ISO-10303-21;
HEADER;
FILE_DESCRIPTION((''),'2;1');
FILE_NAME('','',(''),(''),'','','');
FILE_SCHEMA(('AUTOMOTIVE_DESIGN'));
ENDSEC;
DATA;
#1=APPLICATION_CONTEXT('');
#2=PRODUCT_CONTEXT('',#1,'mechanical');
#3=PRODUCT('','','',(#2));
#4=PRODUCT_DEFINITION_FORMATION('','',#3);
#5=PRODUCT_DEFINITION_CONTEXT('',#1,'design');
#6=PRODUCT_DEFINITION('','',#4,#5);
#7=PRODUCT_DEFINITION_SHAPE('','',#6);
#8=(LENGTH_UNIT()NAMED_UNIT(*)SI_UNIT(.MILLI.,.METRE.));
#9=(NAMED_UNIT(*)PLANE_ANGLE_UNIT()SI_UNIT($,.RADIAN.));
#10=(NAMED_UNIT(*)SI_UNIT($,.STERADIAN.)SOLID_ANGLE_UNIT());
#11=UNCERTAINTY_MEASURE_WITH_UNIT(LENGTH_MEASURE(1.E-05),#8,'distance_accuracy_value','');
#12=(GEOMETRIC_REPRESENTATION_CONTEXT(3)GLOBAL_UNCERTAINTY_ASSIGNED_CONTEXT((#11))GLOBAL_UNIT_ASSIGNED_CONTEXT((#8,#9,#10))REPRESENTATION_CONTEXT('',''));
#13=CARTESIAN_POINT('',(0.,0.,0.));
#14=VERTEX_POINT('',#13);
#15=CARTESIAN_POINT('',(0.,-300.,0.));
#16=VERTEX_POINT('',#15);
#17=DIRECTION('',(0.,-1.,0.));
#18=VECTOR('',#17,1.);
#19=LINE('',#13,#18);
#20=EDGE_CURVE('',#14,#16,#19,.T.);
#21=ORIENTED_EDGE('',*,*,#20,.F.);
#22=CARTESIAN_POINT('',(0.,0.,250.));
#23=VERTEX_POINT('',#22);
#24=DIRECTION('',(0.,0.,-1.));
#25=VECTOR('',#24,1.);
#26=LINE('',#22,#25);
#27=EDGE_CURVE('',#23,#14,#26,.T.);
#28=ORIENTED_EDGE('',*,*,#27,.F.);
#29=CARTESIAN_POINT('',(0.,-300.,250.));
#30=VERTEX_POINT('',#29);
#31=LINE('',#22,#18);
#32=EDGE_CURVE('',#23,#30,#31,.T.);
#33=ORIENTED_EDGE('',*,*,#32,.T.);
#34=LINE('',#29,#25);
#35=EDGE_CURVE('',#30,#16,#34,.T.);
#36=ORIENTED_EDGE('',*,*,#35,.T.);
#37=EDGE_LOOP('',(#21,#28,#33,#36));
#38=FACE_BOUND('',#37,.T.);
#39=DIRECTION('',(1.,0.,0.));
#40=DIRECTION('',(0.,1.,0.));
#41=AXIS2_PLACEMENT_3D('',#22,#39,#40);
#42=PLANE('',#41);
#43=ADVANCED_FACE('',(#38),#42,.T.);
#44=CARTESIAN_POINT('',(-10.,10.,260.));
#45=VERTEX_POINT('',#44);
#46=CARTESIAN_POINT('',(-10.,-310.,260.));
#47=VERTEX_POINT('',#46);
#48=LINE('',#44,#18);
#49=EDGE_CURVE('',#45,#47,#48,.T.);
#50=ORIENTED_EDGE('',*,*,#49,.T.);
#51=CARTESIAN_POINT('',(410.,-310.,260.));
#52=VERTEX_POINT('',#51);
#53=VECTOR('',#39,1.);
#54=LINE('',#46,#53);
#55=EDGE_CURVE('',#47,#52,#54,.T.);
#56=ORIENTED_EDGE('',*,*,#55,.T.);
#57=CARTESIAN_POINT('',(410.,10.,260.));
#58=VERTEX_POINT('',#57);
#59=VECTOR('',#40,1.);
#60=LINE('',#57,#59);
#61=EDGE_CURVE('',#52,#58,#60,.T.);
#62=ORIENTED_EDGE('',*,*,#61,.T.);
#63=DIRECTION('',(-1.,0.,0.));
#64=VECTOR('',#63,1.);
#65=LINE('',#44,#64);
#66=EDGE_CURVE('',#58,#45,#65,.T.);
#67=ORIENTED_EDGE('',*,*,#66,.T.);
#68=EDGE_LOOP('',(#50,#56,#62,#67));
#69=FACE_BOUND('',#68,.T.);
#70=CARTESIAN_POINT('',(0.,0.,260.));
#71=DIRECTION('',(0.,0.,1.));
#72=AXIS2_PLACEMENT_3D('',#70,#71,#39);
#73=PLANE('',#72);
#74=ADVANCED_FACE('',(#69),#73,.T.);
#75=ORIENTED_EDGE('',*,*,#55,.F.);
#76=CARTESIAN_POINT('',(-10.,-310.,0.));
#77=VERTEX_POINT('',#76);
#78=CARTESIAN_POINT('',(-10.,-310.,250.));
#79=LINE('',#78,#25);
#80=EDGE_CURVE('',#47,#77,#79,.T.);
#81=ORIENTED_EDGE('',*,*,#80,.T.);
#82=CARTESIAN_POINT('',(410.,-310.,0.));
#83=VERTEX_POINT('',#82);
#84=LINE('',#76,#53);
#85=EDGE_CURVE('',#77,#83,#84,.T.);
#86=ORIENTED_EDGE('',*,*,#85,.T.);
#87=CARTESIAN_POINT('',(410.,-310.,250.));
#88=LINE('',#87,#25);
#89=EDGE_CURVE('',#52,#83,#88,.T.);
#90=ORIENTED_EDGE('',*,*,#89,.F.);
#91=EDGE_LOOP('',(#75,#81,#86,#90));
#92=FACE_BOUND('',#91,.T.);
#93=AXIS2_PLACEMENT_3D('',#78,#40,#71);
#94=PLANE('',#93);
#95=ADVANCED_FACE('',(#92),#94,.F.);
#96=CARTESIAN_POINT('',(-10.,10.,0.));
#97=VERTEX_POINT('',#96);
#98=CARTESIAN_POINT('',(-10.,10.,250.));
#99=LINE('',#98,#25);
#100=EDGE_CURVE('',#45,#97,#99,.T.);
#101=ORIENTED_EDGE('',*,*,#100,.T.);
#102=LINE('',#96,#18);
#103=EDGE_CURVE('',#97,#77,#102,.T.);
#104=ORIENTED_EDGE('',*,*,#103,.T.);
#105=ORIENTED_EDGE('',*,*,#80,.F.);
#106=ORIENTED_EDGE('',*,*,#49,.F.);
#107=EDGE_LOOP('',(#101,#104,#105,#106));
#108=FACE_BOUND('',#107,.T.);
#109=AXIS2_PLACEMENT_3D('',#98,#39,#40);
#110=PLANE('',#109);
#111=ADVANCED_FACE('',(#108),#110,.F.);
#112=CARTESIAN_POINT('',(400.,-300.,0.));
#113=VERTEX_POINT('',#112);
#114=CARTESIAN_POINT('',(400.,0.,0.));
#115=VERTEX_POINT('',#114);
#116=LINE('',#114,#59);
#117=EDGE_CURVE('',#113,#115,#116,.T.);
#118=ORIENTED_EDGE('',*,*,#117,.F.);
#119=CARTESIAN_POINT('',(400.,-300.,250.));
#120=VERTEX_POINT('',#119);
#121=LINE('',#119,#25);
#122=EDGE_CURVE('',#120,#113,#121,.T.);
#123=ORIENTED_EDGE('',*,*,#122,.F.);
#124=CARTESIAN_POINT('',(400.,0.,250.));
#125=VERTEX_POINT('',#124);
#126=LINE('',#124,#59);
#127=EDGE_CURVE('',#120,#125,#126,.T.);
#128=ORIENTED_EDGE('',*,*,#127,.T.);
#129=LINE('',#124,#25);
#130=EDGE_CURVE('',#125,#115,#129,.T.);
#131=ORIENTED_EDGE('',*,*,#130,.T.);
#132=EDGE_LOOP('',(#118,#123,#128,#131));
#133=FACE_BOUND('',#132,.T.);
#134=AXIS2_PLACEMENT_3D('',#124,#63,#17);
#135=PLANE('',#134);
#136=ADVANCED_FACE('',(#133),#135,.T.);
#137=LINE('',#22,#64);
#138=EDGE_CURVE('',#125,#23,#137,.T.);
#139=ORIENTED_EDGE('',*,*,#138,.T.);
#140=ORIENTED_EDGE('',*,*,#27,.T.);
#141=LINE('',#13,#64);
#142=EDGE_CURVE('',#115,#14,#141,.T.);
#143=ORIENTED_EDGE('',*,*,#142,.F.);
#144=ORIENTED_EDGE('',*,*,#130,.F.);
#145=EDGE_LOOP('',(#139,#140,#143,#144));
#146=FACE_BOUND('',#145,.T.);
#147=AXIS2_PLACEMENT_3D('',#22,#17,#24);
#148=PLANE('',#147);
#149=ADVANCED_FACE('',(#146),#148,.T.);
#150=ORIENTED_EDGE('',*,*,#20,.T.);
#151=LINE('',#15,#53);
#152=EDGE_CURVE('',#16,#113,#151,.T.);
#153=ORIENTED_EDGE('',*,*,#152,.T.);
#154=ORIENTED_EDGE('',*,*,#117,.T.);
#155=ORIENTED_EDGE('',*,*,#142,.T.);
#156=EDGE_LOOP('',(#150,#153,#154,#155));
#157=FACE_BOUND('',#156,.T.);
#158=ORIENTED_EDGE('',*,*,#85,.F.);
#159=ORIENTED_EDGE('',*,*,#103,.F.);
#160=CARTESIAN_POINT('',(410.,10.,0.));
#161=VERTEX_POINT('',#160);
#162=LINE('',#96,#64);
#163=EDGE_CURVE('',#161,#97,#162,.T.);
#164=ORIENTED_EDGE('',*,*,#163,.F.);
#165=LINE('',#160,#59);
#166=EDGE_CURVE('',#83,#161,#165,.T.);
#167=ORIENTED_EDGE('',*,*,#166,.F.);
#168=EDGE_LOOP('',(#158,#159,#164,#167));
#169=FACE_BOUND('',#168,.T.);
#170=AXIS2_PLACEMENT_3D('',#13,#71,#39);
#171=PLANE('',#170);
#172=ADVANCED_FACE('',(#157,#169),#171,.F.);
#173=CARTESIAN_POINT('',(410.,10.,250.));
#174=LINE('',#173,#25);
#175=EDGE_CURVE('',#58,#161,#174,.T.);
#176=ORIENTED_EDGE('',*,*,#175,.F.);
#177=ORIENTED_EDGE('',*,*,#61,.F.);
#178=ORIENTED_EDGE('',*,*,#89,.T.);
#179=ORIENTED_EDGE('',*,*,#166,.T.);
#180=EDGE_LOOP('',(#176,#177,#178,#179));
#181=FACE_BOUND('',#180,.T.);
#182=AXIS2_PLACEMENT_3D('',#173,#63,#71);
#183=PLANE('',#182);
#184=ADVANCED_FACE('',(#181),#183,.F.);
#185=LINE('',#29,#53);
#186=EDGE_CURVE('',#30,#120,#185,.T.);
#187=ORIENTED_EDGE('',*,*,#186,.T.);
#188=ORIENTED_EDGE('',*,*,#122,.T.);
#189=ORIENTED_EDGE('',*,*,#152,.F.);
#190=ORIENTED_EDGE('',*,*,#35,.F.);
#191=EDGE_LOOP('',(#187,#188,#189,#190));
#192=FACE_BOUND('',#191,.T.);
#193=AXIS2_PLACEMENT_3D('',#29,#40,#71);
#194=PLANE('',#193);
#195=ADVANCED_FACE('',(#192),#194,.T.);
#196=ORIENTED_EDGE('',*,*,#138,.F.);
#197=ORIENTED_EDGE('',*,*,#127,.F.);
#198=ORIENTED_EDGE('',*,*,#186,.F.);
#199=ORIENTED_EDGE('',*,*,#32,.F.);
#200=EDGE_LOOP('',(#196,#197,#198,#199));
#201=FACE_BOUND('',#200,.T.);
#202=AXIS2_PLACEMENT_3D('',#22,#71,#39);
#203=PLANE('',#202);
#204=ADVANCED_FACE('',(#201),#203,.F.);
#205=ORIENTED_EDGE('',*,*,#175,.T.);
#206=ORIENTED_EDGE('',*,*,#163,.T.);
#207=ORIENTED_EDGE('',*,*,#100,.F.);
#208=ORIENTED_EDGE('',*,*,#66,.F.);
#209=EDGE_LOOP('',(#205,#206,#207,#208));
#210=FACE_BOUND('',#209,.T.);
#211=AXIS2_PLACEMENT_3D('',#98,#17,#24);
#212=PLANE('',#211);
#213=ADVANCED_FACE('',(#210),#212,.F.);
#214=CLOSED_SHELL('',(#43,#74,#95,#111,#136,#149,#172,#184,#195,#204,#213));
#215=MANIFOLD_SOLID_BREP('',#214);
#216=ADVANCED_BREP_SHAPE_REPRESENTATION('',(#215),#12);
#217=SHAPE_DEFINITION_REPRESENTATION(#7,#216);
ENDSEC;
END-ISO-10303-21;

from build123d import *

# Parameters (mm, degrees)
SKETCH1_W           = 420
SKETCH1_H           = 320
SKETCH1_W_2         = 400
SKETCH1_H_2         = 300
BOSS_EXTRUDE1_DEPTH = 250
SKETCH2_W           = 420
SKETCH2_H           = 320
BOSS_EXTRUDE2_DEPTH = 10


with BuildPart() as part:
    # Sketch1 → Boss-Extrude1 (new body)
    with BuildSketch(Plane.XY):
        with Locations((200, -150)):
            Rectangle(SKETCH1_W, SKETCH1_H)
        with Locations((200, -150)):
            Rectangle(SKETCH1_W_2, SKETCH1_H_2, mode=Mode.SUBTRACT)
    extrude(amount=BOSS_EXTRUDE1_DEPTH)

    # Sketch2 → Boss-Extrude2 (add)
    with BuildSketch(Plane.XY.offset(250)):
        with Locations((200, -150)):
            Rectangle(SKETCH2_W, SKETCH2_H)
    extrude(amount=BOSS_EXTRUDE2_DEPTH)


solid = part.part
